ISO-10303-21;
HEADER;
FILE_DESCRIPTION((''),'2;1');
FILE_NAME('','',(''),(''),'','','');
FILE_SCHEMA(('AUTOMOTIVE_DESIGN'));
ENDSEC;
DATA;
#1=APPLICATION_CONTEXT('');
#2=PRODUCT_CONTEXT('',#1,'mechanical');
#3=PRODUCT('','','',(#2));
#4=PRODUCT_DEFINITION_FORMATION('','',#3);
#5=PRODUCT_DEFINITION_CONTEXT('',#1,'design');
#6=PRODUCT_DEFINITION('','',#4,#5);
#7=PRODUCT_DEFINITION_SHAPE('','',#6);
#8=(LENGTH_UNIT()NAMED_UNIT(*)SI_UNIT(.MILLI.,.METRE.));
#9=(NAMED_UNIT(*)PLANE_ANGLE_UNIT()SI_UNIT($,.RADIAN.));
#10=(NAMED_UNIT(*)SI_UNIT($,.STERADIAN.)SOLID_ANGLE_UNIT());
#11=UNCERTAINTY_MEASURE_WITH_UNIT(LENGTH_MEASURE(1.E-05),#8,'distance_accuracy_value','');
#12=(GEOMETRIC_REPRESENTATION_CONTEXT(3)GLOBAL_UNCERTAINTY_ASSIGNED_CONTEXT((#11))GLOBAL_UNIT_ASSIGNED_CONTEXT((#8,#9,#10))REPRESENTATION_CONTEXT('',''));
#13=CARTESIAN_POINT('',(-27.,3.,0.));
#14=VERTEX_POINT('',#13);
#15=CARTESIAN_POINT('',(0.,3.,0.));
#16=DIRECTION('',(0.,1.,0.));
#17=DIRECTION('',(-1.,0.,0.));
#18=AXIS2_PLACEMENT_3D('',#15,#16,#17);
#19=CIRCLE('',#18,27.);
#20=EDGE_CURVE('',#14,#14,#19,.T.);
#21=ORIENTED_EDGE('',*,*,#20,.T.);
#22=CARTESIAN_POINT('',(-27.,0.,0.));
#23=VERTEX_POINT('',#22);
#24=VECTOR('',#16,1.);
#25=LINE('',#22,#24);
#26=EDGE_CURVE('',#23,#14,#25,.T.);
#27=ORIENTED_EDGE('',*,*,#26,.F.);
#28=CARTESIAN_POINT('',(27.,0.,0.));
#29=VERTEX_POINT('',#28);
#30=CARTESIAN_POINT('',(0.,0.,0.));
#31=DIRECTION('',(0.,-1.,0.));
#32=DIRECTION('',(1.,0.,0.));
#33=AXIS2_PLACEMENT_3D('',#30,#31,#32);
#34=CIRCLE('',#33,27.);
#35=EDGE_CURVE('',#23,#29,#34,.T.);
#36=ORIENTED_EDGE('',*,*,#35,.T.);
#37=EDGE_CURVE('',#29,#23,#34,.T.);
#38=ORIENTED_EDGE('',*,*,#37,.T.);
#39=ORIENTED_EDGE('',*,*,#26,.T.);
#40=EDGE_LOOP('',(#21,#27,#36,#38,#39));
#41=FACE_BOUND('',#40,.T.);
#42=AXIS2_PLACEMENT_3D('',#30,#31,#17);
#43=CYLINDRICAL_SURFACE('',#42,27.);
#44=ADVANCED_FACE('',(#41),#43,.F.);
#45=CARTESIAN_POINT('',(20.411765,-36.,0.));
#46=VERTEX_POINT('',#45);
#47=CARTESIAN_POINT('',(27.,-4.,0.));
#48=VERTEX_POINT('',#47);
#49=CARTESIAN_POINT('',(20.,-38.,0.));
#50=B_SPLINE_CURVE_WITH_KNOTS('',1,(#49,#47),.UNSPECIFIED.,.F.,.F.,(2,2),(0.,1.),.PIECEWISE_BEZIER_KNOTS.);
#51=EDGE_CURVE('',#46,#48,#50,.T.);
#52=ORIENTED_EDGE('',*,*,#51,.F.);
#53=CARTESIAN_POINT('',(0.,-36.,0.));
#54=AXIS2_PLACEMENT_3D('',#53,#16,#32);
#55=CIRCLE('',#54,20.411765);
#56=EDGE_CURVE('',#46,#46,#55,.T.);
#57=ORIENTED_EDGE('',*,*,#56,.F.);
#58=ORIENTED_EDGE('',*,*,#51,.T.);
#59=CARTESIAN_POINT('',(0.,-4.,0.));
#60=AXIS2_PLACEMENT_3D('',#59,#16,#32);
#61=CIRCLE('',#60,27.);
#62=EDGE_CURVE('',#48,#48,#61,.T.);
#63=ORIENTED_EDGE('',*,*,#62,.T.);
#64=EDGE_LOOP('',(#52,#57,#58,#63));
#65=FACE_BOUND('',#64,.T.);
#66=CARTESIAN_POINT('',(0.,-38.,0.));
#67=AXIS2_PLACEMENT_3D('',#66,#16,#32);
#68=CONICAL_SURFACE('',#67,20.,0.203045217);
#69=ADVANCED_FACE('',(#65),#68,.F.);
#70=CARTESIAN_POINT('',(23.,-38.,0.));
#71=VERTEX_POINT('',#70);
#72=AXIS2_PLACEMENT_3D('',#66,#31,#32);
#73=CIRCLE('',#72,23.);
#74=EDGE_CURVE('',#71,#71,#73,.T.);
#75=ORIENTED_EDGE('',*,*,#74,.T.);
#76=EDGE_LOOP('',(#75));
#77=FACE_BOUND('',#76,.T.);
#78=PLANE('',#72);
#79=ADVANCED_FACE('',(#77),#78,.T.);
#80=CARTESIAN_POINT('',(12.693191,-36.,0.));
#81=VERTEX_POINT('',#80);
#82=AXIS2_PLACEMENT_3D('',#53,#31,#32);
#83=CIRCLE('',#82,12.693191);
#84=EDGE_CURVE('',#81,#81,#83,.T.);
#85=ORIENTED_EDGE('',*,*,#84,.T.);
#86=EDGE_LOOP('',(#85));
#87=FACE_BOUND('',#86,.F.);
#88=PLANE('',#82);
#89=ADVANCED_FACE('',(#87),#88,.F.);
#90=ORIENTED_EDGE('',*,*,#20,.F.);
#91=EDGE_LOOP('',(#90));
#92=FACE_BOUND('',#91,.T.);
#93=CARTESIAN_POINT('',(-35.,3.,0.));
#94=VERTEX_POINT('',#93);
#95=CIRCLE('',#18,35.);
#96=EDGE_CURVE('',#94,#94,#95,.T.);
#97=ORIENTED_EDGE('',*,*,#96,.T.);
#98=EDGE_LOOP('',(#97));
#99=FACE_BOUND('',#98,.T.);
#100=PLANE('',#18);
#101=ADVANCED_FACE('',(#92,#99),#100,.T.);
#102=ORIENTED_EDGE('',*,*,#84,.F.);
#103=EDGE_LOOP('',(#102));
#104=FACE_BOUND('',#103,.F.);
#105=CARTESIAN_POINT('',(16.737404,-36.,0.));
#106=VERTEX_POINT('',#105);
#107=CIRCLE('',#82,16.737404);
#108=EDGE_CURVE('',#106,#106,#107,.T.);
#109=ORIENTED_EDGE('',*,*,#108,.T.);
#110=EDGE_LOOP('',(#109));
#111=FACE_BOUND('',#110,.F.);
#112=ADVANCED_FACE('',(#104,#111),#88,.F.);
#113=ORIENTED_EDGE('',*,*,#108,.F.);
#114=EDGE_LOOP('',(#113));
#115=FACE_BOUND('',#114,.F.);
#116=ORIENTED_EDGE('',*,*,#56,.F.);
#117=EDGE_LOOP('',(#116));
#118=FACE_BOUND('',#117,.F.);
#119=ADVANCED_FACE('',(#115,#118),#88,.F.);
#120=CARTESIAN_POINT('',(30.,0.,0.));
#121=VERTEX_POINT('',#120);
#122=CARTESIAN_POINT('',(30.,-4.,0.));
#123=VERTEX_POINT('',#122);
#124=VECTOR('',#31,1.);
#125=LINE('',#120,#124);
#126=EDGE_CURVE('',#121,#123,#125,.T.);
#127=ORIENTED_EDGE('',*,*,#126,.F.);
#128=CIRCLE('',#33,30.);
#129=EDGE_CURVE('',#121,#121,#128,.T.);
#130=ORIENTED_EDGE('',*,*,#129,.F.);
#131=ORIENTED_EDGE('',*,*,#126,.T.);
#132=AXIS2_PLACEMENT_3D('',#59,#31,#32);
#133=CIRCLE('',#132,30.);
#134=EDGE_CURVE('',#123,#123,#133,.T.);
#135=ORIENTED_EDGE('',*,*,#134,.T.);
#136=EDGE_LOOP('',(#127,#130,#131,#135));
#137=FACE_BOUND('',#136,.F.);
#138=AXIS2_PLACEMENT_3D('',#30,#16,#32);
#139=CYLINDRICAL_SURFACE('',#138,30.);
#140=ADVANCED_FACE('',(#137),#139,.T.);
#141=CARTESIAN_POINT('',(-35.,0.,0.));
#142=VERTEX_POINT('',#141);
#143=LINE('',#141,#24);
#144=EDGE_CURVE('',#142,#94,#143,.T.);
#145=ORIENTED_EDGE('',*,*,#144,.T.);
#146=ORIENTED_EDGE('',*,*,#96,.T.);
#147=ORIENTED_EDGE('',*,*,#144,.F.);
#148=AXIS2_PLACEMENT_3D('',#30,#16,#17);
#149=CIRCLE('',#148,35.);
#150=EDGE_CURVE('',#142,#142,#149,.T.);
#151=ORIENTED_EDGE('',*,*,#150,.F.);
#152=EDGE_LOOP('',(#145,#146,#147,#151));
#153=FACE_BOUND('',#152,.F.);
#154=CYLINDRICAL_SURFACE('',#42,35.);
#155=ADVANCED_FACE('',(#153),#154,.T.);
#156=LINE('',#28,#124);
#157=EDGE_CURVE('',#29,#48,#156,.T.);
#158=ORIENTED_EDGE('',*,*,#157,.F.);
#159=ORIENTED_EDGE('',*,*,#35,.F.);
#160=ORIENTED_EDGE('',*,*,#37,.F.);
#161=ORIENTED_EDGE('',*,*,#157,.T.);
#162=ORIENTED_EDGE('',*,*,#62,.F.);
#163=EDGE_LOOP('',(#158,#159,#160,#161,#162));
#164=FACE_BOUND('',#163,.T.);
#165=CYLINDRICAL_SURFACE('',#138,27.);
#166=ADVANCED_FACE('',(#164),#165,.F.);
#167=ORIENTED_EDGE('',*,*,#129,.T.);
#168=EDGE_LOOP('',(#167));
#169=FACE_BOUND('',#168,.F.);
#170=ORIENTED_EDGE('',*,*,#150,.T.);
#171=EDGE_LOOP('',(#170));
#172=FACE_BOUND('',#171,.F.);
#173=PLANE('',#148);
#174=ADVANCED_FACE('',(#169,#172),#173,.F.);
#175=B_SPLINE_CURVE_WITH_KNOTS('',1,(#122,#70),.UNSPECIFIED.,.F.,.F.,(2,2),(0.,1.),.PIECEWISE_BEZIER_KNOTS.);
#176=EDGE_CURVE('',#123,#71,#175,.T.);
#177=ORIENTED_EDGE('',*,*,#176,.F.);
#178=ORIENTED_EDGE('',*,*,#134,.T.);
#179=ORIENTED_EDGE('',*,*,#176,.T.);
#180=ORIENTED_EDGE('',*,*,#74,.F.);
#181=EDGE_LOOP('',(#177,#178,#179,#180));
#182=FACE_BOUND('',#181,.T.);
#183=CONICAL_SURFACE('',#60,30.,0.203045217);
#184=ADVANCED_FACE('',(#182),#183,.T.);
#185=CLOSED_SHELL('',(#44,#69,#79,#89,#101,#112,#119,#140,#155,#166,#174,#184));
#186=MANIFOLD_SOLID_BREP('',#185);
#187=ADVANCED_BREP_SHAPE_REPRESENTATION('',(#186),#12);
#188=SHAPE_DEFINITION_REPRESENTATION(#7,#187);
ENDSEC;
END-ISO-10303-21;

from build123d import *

# Parameters (mm, degrees)
F0_R      = 30
F0_R_2    = 27
F1_DEPTH  = 4
F4_R      = 30
F3_R      = 23
F7_R      = 20
F6_R      = 27
F9_R      = 22.403667
F9_R_2    = 12.693191
F10_DEPTH = 2
F11_R     = 35
F11_R_2   = 27
F12_DEPTH = 3
F13_R     = 16.737404
F14_DEPTH = 2


with BuildPart() as f1:
    # F0 (on Front) → F1 (new body)
    with BuildSketch(Plane.XZ):
        Circle(F0_R)
        Circle(F0_R_2, mode=Mode.SUBTRACT)
    extrude(amount=F1_DEPTH)

    # F4 (on face) → F5 section 0
    with BuildSketch(Plane.XZ.offset(4)):
        Circle(F4_R)
    # F3 (on offset) → F5 section 1
    with BuildSketch(Plane.XZ.offset(38)):
        Circle(F3_R)
    loft()

    # F7 (on face) → F8 section 0
    with BuildSketch(Plane.XZ.offset(38)):
        Circle(F7_R)
    # F6 (on face) → F8 section 1
    with BuildSketch(Plane(origin=(0, -4, 0), x_dir=(-1, 0, 0), z_dir=(0, 1, 0))):
        Circle(F6_R)
    loft(mode=Mode.SUBTRACT)

    # F9 (on face) → F10 (join)
    with BuildSketch(Plane.XZ.offset(38)):
        Circle(F9_R)
        Circle(F9_R_2, mode=Mode.SUBTRACT)
    extrude(amount=-F10_DEPTH)

    # F11 (on face) → F12 (join)
    with BuildSketch(Plane(origin=(0, 0, 0), x_dir=(-1, 0, 0), z_dir=(0, 1, 0))):
        Circle(F11_R)
        Circle(F11_R_2, mode=Mode.SUBTRACT)
    extrude(amount=F12_DEPTH)

    # F13 (on face) → F14 (join)
    with BuildSketch(Plane.XZ.offset(38)):
        Circle(F13_R)
    extrude(amount=-F14_DEPTH)


solid = f1.part
